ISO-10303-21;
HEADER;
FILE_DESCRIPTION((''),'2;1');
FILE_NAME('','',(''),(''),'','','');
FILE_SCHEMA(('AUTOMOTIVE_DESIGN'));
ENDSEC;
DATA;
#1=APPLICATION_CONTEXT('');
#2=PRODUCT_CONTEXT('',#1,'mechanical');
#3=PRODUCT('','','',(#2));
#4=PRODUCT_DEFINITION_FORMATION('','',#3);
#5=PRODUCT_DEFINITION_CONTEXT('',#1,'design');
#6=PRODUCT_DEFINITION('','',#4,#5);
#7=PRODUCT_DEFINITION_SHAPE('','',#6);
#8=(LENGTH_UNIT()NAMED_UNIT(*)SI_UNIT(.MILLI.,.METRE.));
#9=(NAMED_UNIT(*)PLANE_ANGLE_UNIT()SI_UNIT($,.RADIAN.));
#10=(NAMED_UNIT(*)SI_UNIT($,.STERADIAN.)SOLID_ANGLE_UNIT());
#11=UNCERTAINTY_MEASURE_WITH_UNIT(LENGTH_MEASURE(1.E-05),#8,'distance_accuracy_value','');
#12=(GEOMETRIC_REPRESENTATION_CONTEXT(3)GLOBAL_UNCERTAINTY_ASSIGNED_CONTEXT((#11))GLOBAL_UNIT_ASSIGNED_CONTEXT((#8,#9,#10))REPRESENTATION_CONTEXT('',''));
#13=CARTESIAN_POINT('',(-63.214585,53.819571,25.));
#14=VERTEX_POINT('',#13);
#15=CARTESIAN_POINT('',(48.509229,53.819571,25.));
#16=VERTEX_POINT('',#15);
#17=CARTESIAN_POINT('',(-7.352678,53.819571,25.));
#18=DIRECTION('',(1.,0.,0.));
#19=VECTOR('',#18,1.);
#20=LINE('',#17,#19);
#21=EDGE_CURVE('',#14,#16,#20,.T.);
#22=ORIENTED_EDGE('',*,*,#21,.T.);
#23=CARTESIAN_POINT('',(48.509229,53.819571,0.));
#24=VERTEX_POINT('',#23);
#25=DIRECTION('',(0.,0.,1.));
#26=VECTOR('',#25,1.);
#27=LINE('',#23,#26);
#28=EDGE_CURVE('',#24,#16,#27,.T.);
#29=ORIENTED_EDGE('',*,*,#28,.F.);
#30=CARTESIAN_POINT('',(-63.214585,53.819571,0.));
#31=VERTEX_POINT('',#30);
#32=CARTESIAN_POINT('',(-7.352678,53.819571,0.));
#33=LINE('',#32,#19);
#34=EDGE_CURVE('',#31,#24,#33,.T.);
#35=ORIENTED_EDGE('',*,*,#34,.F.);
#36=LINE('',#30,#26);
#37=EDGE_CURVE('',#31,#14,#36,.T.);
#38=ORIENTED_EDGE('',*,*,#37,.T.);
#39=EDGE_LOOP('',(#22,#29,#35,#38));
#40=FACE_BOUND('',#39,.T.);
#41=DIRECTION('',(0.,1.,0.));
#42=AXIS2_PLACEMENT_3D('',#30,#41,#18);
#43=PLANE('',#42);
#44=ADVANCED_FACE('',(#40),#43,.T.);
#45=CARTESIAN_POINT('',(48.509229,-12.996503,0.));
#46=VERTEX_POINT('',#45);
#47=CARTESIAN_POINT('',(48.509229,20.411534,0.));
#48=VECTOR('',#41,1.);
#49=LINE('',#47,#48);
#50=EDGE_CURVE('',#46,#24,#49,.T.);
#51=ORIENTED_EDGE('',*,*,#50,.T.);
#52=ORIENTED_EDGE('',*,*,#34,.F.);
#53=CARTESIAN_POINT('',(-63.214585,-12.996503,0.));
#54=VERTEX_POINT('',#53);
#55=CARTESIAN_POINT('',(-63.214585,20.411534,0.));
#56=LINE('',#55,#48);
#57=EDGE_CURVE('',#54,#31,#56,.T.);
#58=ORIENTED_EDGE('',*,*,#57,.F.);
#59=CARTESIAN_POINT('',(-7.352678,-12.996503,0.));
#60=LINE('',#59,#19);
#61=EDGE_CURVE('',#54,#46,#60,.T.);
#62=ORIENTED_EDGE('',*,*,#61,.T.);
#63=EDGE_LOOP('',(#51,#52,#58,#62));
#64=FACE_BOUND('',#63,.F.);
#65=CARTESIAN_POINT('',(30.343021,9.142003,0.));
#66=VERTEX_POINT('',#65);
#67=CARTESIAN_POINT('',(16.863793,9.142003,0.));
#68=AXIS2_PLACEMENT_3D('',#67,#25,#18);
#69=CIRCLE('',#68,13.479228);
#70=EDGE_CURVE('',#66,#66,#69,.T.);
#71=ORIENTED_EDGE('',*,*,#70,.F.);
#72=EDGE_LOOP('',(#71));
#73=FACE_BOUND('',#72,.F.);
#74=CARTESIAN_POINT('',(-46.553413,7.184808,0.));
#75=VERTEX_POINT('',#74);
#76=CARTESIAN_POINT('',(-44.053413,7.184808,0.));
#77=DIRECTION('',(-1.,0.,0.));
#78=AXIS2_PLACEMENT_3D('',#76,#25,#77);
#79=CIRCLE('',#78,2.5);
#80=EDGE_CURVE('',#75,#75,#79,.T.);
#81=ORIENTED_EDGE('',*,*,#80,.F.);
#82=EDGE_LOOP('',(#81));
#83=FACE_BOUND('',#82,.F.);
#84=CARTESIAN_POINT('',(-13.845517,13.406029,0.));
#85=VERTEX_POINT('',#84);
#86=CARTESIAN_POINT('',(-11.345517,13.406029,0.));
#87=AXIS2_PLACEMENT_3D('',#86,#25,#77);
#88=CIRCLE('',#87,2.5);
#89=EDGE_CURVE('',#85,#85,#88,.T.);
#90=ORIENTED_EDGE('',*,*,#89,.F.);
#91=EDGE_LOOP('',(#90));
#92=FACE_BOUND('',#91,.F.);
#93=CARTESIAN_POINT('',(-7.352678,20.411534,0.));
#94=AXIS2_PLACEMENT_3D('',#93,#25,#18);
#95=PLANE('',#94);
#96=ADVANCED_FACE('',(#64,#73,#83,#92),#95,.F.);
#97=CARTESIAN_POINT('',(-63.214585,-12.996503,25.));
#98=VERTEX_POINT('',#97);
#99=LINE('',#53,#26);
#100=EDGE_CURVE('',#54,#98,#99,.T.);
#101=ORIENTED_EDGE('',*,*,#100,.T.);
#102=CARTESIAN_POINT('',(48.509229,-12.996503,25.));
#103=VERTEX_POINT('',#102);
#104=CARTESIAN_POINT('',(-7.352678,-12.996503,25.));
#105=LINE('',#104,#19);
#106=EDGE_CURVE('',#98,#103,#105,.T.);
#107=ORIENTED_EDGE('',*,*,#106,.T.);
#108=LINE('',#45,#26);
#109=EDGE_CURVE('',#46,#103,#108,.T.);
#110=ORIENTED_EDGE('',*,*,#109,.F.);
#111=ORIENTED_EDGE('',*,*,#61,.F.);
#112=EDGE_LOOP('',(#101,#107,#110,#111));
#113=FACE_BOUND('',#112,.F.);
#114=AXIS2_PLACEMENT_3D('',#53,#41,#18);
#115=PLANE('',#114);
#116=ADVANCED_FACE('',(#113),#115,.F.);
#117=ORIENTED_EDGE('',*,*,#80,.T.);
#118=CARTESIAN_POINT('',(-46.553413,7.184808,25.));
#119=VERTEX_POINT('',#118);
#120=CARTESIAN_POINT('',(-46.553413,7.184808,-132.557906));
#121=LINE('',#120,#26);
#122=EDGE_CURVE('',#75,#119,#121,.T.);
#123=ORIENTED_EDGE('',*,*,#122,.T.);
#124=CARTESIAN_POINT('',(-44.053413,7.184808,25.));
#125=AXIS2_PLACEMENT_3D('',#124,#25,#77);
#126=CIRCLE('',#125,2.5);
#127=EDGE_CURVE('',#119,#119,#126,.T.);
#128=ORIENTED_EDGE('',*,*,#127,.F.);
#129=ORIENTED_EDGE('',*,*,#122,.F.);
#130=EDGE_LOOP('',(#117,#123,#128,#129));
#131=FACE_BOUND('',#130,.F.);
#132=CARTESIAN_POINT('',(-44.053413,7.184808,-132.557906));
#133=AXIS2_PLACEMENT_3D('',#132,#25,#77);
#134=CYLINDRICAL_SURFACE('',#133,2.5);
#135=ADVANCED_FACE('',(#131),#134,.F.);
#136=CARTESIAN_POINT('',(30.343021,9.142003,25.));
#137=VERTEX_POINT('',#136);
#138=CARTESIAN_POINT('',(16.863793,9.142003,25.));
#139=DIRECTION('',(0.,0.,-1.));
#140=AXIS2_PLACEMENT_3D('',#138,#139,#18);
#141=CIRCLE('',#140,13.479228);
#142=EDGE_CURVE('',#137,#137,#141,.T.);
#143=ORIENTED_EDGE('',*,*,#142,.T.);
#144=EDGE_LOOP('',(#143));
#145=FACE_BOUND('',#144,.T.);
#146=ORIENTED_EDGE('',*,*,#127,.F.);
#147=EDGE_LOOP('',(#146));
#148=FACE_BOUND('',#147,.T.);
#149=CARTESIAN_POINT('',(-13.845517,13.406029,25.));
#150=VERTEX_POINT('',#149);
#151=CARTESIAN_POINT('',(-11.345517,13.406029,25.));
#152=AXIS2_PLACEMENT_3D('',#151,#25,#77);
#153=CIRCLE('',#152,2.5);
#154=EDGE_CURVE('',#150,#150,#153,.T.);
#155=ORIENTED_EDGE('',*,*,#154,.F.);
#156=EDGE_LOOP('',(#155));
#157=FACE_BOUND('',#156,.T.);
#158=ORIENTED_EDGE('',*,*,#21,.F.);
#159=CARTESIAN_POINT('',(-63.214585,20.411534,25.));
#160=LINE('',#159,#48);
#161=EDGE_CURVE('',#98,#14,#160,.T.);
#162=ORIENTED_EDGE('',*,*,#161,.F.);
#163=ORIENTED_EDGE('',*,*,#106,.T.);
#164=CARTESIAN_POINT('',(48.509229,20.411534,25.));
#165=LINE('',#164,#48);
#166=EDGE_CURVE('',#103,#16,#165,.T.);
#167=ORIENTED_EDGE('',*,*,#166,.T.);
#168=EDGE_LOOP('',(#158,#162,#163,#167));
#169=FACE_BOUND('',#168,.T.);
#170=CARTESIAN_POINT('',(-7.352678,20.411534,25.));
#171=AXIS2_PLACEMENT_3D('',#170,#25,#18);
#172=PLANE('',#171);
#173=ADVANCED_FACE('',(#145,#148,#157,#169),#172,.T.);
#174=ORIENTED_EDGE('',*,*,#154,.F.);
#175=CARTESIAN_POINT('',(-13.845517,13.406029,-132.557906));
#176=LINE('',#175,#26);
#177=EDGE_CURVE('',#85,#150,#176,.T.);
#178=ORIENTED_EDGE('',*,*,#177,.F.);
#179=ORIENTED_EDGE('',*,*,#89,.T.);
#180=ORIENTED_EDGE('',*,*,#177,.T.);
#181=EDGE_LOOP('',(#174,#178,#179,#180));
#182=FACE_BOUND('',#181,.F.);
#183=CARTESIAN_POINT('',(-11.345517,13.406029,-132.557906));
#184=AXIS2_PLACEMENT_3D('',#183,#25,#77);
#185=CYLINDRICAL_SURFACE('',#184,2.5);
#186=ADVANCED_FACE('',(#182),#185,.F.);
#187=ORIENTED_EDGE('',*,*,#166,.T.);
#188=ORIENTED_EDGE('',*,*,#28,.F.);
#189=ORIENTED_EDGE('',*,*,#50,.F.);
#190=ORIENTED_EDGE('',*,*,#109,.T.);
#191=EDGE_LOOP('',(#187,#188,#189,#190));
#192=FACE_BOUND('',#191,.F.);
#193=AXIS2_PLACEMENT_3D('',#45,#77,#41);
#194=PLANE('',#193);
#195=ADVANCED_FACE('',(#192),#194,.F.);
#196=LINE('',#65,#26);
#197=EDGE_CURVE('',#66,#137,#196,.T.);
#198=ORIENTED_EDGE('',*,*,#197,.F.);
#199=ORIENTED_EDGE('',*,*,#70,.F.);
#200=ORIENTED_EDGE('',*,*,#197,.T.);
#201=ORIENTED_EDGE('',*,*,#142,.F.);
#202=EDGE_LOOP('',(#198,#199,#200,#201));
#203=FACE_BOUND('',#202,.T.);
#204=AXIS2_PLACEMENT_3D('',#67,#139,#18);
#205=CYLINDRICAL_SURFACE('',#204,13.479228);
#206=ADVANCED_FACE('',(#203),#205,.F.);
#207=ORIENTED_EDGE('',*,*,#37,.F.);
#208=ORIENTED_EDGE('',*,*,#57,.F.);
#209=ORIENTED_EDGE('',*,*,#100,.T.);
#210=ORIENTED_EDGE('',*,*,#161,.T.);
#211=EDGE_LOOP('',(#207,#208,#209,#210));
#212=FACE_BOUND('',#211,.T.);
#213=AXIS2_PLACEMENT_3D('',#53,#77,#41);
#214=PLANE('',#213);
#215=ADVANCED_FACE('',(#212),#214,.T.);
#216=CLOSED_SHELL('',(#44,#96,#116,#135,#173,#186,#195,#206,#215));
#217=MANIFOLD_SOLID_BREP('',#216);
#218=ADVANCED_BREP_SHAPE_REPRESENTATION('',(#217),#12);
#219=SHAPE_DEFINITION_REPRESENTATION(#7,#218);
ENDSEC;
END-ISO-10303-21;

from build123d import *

# Parameters (mm, degrees)
F0_W     = 111.7238141596
F0_H     = 66.8160738423
F1_DEPTH = 25
F3_D     = 5
F5_D     = 5
F6_R     = 13.4792277867
F7_DEPTH = 25.001


with BuildPart() as f1:
    # F0 (on Top) → F1 (new body)
    with BuildSketch(Plane.XY):
        with Locations((-7.3526781052, 20.4115337692)):
            Rectangle(F0_W, F0_H)
    extrude(amount=F1_DEPTH)

    # F3 (through all)
    with Locations(Plane(origin=(0, 0, 0), x_dir=(1, 0, 0), z_dir=(0, 0, -1))):
        with Locations((-44.0534129739, -7.1848076768)):
            Hole(F3_D / 2)

    # F5 (through all)
    with Locations(Plane(origin=(0, 0, 0), x_dir=(1, 0, 0), z_dir=(0, 0, -1))):
        with Locations((-11.3455168903, -13.4060289711)):
            Hole(F5_D / 2)

    # F6 (on Top) → F7 (cut, through all)
    with BuildSketch(Plane.XY):
        with Locations((16.8637931347, 9.1420030221)):
            Circle(F6_R)
    extrude(amount=F7_DEPTH, mode=Mode.SUBTRACT)


solid = f1.part
